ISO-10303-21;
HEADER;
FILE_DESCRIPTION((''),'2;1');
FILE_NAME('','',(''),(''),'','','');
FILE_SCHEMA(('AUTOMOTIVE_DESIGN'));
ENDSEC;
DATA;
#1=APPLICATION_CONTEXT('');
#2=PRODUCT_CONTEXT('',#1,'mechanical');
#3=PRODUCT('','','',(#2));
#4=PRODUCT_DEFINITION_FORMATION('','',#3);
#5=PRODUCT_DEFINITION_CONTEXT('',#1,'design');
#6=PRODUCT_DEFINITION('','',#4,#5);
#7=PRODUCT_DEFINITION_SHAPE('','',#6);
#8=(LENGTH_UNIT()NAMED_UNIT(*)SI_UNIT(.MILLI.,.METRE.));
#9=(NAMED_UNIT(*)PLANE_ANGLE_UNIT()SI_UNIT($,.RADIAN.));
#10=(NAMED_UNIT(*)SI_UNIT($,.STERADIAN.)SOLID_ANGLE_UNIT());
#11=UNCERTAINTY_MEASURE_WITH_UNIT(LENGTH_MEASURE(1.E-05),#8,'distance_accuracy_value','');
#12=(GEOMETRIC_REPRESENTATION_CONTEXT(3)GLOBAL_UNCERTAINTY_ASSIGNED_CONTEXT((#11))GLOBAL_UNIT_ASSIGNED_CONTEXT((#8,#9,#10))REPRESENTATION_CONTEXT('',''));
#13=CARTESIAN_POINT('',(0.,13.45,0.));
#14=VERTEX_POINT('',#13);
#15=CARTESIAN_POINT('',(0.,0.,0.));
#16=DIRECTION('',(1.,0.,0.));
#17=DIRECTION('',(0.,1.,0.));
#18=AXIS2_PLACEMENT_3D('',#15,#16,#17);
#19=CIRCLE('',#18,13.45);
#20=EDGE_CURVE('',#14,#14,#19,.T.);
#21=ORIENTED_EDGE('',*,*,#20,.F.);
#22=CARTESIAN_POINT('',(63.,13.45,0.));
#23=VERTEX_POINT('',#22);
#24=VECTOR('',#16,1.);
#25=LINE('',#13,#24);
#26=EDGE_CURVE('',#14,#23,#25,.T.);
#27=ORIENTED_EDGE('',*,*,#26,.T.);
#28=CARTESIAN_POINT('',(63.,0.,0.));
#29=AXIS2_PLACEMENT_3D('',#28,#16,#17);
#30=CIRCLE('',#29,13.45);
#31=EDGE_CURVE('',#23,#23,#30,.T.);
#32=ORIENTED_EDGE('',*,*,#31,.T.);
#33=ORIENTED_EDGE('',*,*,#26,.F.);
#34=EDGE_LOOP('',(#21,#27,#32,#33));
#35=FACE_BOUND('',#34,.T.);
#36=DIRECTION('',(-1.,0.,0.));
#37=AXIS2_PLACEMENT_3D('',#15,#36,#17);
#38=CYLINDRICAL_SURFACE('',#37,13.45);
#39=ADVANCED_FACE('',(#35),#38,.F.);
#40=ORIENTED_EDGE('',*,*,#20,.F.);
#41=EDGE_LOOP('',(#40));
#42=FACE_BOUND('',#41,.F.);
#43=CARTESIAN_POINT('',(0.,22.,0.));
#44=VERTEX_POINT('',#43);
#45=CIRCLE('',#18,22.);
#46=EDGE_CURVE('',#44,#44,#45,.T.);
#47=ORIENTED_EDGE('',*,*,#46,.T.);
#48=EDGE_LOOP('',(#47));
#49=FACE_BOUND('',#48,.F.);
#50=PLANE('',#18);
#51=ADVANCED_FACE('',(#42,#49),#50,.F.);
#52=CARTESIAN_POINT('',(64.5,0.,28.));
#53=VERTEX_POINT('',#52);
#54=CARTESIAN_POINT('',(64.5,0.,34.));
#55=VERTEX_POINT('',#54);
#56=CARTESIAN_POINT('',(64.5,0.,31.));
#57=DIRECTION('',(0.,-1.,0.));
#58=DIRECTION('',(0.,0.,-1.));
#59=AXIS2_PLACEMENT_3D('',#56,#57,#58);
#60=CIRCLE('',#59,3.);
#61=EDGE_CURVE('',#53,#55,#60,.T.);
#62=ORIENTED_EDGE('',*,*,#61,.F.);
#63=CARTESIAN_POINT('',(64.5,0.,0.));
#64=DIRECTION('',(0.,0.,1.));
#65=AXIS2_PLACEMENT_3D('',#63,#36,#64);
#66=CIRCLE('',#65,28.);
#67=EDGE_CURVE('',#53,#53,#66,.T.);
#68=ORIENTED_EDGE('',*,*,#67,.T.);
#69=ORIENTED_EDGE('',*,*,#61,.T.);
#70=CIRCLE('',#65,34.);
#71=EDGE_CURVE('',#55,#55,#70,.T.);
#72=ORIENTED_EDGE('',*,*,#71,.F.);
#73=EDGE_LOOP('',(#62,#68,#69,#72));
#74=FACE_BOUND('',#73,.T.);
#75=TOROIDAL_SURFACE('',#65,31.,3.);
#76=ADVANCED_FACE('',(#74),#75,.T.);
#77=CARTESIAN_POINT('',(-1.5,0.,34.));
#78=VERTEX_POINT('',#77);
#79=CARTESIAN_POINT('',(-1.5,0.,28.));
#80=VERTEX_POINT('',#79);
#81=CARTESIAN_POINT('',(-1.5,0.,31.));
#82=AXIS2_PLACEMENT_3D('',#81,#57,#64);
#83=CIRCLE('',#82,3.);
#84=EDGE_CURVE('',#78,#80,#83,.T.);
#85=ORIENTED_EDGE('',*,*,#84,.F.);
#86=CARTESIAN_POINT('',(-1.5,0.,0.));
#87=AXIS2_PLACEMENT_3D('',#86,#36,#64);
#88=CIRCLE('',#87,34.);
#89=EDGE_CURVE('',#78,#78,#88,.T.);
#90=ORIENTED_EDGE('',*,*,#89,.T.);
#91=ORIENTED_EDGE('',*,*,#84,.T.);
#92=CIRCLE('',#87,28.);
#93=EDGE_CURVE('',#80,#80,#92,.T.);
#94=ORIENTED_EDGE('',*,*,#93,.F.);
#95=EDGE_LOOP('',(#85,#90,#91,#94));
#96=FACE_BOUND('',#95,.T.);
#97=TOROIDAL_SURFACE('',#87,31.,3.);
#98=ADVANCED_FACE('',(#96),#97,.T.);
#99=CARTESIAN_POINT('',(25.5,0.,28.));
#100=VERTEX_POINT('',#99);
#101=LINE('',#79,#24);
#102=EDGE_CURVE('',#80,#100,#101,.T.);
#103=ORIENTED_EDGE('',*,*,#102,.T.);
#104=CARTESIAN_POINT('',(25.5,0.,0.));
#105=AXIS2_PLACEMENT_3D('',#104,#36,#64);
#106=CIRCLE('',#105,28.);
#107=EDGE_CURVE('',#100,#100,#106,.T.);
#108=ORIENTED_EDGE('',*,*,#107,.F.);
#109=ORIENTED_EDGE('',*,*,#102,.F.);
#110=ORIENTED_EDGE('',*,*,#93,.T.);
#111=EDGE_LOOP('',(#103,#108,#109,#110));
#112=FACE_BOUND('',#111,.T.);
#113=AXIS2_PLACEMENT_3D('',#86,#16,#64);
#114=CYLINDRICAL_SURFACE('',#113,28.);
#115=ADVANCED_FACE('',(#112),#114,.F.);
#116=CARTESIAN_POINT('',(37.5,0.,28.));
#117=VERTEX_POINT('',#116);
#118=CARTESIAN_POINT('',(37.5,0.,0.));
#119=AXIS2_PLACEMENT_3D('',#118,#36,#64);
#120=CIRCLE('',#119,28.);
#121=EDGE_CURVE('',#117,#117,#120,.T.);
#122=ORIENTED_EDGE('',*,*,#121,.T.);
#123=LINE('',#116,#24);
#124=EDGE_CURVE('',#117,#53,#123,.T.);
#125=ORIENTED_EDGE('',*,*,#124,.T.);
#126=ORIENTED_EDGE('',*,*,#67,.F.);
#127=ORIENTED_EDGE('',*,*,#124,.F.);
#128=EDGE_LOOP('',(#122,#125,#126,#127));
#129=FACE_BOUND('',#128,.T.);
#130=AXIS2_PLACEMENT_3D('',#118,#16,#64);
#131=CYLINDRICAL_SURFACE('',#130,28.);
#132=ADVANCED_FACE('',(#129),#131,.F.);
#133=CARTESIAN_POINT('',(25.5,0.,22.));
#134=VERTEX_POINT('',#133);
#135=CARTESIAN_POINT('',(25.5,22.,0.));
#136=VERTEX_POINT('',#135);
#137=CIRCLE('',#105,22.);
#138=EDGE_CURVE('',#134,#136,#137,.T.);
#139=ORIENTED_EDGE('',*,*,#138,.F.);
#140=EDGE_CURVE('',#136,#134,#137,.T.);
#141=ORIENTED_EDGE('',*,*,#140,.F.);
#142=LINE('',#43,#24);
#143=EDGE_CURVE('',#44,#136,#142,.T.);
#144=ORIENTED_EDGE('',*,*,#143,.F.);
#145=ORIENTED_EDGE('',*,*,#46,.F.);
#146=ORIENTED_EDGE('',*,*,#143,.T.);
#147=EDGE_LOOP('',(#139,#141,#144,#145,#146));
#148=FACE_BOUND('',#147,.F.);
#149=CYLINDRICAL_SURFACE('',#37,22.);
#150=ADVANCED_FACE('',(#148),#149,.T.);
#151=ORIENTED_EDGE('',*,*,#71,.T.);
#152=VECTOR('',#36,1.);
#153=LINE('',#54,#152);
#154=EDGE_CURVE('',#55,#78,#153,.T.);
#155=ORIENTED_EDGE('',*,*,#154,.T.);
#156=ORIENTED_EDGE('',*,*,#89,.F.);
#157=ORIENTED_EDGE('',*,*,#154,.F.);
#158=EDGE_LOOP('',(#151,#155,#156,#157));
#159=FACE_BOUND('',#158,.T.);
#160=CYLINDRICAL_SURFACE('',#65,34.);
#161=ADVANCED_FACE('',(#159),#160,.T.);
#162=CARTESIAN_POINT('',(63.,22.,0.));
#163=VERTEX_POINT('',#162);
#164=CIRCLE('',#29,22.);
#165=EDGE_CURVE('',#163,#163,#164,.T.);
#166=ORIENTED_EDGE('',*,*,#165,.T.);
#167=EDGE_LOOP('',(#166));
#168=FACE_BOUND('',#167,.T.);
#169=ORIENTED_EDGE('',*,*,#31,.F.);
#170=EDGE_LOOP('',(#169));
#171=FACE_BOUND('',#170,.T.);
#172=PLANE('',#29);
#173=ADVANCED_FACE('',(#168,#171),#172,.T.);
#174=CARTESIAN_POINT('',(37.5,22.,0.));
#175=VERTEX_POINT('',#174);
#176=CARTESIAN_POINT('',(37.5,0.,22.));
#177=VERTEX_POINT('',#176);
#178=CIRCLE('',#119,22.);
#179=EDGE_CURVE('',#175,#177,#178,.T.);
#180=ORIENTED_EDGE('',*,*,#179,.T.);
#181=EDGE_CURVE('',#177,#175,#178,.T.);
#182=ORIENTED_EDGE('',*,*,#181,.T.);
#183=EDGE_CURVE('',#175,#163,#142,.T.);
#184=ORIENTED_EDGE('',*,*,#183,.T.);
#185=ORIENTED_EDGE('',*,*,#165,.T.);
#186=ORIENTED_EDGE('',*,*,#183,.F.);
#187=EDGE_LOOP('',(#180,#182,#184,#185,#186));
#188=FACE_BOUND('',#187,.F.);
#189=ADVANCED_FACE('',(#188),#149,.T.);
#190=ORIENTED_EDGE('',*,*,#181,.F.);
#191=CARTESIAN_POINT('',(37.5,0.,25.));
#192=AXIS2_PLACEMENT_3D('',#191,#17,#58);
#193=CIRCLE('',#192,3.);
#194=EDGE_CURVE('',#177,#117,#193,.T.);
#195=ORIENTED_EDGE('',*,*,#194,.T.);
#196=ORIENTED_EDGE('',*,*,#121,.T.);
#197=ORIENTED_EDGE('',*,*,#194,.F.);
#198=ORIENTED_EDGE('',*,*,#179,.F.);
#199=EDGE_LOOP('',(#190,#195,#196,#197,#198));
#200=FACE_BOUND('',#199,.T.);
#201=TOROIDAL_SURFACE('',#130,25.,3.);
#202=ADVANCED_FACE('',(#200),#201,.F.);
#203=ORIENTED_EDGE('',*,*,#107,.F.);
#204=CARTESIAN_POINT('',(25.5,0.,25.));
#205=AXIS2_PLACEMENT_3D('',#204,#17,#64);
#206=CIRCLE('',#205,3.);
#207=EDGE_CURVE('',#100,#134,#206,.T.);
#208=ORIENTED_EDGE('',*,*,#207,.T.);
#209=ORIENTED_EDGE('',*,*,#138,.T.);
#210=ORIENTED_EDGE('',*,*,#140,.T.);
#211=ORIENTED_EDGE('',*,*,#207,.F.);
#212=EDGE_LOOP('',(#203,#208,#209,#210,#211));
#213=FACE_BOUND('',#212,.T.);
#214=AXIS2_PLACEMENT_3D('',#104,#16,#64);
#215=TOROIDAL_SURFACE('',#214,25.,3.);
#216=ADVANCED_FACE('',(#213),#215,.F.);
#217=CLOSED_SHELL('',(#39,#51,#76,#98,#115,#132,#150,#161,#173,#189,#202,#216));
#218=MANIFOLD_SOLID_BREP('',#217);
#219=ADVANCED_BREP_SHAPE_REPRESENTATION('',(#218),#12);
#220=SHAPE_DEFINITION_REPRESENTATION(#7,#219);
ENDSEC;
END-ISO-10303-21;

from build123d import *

# Parameters (mm, degrees)
F0_R     = 22
F0_R_2   = 13.45
F1_DEPTH = 63


with BuildPart() as f1:
    # F0 (on Right) → F1 (new body)
    with BuildSketch(Plane.YZ):
        Circle(F0_R)
        Circle(F0_R_2, mode=Mode.SUBTRACT)
    extrude(amount=F1_DEPTH)

    # F2 (on Front) → F3 (revolve)
    with BuildSketch(Plane.XZ):
        with BuildLine():
            Line((64.5, 34), (-1.5, 34))
            ThreePointArc((-1.5, 34), (-4.5, 31), (-1.5, 28))
            Line((-1.5, 28), (25.5, 28))
            ThreePointArc((25.5, 28), (28.5, 25), (25.5, 22))
            Line((25.5, 22), (37.5, 22))
            ThreePointArc((37.5, 22), (34.5, 25), (37.5, 28))
            Line((37.5, 28), (64.5, 28))
            ThreePointArc((64.5, 28), (67.5, 31), (64.5, 34))
        make_face()
    revolve(axis=Axis((0, 0, 0), (-1, 0, 0)))


solid = f1.part
